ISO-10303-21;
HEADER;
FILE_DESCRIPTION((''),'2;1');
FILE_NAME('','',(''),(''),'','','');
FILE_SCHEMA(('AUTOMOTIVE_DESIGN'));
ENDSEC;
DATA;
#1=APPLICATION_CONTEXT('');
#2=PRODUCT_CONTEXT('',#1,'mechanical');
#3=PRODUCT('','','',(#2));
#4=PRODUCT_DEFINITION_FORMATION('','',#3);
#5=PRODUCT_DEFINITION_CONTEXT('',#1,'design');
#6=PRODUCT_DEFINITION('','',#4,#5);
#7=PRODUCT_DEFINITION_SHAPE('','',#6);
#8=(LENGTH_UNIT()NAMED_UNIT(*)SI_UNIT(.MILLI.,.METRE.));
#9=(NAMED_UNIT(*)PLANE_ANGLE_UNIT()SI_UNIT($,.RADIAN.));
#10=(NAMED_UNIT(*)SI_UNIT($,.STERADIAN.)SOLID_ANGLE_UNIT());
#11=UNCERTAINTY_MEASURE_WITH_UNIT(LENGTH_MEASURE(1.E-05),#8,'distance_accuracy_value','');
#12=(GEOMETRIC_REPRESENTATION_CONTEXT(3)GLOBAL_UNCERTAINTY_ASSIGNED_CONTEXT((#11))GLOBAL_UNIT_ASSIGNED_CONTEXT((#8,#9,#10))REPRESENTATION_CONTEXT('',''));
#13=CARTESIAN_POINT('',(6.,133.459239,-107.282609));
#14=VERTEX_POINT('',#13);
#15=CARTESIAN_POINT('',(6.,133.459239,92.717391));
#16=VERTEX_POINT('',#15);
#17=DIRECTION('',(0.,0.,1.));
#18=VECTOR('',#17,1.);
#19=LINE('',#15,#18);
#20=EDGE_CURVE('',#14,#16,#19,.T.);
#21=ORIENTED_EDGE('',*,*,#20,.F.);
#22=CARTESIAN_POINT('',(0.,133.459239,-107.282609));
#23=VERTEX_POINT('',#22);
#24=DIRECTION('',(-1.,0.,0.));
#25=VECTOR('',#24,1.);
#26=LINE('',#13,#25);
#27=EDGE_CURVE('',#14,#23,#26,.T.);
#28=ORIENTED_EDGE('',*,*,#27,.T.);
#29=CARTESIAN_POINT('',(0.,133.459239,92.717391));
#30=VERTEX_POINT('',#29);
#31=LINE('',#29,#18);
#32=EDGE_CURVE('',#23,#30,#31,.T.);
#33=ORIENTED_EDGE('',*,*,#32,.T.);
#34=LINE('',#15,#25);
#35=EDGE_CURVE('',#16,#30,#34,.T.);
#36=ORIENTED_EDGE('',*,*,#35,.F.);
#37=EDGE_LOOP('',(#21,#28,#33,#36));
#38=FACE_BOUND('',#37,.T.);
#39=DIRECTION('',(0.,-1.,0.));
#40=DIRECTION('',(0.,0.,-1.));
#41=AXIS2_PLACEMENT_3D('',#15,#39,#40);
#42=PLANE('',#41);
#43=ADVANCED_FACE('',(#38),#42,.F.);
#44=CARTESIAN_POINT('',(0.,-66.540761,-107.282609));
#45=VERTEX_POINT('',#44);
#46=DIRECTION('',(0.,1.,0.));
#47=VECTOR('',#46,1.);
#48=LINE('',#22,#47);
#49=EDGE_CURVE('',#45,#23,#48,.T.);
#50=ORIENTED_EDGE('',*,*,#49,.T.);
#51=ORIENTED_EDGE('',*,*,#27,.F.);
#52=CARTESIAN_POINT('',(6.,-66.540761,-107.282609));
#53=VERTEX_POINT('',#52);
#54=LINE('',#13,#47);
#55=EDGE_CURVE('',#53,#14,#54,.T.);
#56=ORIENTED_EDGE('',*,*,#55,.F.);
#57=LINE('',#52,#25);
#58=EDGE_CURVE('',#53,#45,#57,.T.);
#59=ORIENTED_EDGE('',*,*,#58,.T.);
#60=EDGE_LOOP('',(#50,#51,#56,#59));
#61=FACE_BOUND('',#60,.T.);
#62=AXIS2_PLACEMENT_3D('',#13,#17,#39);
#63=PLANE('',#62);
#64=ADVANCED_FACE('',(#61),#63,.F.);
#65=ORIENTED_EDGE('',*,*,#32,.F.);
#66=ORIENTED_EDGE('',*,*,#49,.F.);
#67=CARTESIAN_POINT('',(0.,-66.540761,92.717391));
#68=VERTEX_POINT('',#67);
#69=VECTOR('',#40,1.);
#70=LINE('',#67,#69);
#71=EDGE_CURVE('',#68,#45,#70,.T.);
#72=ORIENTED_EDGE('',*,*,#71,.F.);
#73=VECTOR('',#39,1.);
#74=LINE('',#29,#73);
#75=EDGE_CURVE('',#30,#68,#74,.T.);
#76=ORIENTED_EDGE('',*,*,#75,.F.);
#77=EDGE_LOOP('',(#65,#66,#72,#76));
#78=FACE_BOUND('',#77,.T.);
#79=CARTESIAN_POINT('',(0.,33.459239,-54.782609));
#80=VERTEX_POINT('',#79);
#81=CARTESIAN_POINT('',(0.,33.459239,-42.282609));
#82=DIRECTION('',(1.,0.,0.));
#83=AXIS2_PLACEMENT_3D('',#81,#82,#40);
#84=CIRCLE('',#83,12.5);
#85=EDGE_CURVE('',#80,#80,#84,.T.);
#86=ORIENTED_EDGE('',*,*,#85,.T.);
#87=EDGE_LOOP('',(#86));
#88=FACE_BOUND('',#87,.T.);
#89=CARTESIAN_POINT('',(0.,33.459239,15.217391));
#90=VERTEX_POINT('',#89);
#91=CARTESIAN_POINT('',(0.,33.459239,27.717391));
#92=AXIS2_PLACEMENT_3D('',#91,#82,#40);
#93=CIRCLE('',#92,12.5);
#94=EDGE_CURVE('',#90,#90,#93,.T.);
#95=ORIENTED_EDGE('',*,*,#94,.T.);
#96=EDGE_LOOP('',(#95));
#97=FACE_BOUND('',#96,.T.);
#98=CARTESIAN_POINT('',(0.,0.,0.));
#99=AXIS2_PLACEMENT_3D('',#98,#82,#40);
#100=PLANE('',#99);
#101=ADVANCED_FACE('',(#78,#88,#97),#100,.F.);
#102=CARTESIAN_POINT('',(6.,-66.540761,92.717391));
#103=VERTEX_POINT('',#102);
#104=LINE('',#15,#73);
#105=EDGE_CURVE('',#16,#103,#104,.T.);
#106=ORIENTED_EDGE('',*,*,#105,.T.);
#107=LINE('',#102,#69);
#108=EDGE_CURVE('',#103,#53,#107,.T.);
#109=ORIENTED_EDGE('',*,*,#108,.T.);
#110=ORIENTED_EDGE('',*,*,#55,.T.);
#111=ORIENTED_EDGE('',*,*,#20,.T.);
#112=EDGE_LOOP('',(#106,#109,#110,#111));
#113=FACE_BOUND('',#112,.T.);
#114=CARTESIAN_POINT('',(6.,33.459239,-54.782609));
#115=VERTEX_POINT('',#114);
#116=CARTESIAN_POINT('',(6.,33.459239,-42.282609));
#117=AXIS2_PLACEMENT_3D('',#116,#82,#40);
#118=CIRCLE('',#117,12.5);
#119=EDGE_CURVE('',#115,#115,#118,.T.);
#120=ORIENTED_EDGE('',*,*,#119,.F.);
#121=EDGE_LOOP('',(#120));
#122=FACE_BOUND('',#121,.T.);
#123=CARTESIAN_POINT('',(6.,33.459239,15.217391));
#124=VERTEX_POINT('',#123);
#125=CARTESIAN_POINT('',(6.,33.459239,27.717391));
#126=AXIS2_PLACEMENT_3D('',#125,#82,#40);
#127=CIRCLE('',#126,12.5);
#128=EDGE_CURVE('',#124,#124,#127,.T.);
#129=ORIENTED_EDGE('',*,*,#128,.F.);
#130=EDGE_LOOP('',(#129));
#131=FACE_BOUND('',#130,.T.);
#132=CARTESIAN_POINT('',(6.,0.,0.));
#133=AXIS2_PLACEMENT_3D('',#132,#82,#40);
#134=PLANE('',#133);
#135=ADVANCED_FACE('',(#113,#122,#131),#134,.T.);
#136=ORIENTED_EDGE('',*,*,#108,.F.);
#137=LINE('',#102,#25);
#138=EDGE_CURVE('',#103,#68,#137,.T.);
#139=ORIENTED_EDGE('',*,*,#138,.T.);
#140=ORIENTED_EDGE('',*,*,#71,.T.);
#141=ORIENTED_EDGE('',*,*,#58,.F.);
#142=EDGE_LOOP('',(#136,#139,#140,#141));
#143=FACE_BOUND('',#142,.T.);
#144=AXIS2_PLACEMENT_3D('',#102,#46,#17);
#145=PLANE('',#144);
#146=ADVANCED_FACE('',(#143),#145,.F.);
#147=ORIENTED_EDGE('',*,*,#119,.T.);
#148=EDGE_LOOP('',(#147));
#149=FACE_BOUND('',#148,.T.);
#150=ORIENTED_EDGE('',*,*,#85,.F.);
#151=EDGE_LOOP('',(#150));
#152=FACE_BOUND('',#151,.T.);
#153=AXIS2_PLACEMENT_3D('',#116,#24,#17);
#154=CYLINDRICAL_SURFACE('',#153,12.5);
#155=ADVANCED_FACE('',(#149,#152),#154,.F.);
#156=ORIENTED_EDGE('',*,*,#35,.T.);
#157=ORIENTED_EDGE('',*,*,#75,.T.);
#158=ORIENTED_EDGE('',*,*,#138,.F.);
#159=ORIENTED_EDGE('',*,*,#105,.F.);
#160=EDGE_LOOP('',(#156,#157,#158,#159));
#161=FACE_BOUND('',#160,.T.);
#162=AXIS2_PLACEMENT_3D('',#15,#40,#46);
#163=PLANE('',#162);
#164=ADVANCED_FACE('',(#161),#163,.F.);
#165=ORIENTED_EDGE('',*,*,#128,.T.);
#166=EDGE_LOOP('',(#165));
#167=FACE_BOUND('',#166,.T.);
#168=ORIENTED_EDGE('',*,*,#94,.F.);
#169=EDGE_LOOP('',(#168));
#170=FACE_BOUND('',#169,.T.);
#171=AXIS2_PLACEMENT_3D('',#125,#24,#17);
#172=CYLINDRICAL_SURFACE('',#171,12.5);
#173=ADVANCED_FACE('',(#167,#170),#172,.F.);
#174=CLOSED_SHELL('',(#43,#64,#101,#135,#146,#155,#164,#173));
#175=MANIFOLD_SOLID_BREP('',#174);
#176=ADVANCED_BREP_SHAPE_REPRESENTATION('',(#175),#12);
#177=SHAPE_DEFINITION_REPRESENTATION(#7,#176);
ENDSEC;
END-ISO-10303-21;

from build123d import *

# Parameters (mm, degrees)
SKETCH1_W           = 200
SKETCH1_H           = 200
SKETCH1_R           = 12.5
BOSS_EXTRUDE1_DEPTH = 6


with BuildPart() as part:
    # Sketch1 → Boss-Extrude1 (new body)
    with BuildSketch(Plane(origin=(0, 0, 0), x_dir=(0, 0, -1), z_dir=(1, 0, 0))):
        with Locations((7.282608696, 33.45923913)):
            Rectangle(SKETCH1_W, SKETCH1_H)
        with Locations((42.282608696, 33.45923913)):
            Circle(SKETCH1_R, mode=Mode.SUBTRACT)
        with Locations((-27.717391304, 33.45923913)):
            Circle(SKETCH1_R, mode=Mode.SUBTRACT)
    extrude(amount=BOSS_EXTRUDE1_DEPTH)


solid = part.part
